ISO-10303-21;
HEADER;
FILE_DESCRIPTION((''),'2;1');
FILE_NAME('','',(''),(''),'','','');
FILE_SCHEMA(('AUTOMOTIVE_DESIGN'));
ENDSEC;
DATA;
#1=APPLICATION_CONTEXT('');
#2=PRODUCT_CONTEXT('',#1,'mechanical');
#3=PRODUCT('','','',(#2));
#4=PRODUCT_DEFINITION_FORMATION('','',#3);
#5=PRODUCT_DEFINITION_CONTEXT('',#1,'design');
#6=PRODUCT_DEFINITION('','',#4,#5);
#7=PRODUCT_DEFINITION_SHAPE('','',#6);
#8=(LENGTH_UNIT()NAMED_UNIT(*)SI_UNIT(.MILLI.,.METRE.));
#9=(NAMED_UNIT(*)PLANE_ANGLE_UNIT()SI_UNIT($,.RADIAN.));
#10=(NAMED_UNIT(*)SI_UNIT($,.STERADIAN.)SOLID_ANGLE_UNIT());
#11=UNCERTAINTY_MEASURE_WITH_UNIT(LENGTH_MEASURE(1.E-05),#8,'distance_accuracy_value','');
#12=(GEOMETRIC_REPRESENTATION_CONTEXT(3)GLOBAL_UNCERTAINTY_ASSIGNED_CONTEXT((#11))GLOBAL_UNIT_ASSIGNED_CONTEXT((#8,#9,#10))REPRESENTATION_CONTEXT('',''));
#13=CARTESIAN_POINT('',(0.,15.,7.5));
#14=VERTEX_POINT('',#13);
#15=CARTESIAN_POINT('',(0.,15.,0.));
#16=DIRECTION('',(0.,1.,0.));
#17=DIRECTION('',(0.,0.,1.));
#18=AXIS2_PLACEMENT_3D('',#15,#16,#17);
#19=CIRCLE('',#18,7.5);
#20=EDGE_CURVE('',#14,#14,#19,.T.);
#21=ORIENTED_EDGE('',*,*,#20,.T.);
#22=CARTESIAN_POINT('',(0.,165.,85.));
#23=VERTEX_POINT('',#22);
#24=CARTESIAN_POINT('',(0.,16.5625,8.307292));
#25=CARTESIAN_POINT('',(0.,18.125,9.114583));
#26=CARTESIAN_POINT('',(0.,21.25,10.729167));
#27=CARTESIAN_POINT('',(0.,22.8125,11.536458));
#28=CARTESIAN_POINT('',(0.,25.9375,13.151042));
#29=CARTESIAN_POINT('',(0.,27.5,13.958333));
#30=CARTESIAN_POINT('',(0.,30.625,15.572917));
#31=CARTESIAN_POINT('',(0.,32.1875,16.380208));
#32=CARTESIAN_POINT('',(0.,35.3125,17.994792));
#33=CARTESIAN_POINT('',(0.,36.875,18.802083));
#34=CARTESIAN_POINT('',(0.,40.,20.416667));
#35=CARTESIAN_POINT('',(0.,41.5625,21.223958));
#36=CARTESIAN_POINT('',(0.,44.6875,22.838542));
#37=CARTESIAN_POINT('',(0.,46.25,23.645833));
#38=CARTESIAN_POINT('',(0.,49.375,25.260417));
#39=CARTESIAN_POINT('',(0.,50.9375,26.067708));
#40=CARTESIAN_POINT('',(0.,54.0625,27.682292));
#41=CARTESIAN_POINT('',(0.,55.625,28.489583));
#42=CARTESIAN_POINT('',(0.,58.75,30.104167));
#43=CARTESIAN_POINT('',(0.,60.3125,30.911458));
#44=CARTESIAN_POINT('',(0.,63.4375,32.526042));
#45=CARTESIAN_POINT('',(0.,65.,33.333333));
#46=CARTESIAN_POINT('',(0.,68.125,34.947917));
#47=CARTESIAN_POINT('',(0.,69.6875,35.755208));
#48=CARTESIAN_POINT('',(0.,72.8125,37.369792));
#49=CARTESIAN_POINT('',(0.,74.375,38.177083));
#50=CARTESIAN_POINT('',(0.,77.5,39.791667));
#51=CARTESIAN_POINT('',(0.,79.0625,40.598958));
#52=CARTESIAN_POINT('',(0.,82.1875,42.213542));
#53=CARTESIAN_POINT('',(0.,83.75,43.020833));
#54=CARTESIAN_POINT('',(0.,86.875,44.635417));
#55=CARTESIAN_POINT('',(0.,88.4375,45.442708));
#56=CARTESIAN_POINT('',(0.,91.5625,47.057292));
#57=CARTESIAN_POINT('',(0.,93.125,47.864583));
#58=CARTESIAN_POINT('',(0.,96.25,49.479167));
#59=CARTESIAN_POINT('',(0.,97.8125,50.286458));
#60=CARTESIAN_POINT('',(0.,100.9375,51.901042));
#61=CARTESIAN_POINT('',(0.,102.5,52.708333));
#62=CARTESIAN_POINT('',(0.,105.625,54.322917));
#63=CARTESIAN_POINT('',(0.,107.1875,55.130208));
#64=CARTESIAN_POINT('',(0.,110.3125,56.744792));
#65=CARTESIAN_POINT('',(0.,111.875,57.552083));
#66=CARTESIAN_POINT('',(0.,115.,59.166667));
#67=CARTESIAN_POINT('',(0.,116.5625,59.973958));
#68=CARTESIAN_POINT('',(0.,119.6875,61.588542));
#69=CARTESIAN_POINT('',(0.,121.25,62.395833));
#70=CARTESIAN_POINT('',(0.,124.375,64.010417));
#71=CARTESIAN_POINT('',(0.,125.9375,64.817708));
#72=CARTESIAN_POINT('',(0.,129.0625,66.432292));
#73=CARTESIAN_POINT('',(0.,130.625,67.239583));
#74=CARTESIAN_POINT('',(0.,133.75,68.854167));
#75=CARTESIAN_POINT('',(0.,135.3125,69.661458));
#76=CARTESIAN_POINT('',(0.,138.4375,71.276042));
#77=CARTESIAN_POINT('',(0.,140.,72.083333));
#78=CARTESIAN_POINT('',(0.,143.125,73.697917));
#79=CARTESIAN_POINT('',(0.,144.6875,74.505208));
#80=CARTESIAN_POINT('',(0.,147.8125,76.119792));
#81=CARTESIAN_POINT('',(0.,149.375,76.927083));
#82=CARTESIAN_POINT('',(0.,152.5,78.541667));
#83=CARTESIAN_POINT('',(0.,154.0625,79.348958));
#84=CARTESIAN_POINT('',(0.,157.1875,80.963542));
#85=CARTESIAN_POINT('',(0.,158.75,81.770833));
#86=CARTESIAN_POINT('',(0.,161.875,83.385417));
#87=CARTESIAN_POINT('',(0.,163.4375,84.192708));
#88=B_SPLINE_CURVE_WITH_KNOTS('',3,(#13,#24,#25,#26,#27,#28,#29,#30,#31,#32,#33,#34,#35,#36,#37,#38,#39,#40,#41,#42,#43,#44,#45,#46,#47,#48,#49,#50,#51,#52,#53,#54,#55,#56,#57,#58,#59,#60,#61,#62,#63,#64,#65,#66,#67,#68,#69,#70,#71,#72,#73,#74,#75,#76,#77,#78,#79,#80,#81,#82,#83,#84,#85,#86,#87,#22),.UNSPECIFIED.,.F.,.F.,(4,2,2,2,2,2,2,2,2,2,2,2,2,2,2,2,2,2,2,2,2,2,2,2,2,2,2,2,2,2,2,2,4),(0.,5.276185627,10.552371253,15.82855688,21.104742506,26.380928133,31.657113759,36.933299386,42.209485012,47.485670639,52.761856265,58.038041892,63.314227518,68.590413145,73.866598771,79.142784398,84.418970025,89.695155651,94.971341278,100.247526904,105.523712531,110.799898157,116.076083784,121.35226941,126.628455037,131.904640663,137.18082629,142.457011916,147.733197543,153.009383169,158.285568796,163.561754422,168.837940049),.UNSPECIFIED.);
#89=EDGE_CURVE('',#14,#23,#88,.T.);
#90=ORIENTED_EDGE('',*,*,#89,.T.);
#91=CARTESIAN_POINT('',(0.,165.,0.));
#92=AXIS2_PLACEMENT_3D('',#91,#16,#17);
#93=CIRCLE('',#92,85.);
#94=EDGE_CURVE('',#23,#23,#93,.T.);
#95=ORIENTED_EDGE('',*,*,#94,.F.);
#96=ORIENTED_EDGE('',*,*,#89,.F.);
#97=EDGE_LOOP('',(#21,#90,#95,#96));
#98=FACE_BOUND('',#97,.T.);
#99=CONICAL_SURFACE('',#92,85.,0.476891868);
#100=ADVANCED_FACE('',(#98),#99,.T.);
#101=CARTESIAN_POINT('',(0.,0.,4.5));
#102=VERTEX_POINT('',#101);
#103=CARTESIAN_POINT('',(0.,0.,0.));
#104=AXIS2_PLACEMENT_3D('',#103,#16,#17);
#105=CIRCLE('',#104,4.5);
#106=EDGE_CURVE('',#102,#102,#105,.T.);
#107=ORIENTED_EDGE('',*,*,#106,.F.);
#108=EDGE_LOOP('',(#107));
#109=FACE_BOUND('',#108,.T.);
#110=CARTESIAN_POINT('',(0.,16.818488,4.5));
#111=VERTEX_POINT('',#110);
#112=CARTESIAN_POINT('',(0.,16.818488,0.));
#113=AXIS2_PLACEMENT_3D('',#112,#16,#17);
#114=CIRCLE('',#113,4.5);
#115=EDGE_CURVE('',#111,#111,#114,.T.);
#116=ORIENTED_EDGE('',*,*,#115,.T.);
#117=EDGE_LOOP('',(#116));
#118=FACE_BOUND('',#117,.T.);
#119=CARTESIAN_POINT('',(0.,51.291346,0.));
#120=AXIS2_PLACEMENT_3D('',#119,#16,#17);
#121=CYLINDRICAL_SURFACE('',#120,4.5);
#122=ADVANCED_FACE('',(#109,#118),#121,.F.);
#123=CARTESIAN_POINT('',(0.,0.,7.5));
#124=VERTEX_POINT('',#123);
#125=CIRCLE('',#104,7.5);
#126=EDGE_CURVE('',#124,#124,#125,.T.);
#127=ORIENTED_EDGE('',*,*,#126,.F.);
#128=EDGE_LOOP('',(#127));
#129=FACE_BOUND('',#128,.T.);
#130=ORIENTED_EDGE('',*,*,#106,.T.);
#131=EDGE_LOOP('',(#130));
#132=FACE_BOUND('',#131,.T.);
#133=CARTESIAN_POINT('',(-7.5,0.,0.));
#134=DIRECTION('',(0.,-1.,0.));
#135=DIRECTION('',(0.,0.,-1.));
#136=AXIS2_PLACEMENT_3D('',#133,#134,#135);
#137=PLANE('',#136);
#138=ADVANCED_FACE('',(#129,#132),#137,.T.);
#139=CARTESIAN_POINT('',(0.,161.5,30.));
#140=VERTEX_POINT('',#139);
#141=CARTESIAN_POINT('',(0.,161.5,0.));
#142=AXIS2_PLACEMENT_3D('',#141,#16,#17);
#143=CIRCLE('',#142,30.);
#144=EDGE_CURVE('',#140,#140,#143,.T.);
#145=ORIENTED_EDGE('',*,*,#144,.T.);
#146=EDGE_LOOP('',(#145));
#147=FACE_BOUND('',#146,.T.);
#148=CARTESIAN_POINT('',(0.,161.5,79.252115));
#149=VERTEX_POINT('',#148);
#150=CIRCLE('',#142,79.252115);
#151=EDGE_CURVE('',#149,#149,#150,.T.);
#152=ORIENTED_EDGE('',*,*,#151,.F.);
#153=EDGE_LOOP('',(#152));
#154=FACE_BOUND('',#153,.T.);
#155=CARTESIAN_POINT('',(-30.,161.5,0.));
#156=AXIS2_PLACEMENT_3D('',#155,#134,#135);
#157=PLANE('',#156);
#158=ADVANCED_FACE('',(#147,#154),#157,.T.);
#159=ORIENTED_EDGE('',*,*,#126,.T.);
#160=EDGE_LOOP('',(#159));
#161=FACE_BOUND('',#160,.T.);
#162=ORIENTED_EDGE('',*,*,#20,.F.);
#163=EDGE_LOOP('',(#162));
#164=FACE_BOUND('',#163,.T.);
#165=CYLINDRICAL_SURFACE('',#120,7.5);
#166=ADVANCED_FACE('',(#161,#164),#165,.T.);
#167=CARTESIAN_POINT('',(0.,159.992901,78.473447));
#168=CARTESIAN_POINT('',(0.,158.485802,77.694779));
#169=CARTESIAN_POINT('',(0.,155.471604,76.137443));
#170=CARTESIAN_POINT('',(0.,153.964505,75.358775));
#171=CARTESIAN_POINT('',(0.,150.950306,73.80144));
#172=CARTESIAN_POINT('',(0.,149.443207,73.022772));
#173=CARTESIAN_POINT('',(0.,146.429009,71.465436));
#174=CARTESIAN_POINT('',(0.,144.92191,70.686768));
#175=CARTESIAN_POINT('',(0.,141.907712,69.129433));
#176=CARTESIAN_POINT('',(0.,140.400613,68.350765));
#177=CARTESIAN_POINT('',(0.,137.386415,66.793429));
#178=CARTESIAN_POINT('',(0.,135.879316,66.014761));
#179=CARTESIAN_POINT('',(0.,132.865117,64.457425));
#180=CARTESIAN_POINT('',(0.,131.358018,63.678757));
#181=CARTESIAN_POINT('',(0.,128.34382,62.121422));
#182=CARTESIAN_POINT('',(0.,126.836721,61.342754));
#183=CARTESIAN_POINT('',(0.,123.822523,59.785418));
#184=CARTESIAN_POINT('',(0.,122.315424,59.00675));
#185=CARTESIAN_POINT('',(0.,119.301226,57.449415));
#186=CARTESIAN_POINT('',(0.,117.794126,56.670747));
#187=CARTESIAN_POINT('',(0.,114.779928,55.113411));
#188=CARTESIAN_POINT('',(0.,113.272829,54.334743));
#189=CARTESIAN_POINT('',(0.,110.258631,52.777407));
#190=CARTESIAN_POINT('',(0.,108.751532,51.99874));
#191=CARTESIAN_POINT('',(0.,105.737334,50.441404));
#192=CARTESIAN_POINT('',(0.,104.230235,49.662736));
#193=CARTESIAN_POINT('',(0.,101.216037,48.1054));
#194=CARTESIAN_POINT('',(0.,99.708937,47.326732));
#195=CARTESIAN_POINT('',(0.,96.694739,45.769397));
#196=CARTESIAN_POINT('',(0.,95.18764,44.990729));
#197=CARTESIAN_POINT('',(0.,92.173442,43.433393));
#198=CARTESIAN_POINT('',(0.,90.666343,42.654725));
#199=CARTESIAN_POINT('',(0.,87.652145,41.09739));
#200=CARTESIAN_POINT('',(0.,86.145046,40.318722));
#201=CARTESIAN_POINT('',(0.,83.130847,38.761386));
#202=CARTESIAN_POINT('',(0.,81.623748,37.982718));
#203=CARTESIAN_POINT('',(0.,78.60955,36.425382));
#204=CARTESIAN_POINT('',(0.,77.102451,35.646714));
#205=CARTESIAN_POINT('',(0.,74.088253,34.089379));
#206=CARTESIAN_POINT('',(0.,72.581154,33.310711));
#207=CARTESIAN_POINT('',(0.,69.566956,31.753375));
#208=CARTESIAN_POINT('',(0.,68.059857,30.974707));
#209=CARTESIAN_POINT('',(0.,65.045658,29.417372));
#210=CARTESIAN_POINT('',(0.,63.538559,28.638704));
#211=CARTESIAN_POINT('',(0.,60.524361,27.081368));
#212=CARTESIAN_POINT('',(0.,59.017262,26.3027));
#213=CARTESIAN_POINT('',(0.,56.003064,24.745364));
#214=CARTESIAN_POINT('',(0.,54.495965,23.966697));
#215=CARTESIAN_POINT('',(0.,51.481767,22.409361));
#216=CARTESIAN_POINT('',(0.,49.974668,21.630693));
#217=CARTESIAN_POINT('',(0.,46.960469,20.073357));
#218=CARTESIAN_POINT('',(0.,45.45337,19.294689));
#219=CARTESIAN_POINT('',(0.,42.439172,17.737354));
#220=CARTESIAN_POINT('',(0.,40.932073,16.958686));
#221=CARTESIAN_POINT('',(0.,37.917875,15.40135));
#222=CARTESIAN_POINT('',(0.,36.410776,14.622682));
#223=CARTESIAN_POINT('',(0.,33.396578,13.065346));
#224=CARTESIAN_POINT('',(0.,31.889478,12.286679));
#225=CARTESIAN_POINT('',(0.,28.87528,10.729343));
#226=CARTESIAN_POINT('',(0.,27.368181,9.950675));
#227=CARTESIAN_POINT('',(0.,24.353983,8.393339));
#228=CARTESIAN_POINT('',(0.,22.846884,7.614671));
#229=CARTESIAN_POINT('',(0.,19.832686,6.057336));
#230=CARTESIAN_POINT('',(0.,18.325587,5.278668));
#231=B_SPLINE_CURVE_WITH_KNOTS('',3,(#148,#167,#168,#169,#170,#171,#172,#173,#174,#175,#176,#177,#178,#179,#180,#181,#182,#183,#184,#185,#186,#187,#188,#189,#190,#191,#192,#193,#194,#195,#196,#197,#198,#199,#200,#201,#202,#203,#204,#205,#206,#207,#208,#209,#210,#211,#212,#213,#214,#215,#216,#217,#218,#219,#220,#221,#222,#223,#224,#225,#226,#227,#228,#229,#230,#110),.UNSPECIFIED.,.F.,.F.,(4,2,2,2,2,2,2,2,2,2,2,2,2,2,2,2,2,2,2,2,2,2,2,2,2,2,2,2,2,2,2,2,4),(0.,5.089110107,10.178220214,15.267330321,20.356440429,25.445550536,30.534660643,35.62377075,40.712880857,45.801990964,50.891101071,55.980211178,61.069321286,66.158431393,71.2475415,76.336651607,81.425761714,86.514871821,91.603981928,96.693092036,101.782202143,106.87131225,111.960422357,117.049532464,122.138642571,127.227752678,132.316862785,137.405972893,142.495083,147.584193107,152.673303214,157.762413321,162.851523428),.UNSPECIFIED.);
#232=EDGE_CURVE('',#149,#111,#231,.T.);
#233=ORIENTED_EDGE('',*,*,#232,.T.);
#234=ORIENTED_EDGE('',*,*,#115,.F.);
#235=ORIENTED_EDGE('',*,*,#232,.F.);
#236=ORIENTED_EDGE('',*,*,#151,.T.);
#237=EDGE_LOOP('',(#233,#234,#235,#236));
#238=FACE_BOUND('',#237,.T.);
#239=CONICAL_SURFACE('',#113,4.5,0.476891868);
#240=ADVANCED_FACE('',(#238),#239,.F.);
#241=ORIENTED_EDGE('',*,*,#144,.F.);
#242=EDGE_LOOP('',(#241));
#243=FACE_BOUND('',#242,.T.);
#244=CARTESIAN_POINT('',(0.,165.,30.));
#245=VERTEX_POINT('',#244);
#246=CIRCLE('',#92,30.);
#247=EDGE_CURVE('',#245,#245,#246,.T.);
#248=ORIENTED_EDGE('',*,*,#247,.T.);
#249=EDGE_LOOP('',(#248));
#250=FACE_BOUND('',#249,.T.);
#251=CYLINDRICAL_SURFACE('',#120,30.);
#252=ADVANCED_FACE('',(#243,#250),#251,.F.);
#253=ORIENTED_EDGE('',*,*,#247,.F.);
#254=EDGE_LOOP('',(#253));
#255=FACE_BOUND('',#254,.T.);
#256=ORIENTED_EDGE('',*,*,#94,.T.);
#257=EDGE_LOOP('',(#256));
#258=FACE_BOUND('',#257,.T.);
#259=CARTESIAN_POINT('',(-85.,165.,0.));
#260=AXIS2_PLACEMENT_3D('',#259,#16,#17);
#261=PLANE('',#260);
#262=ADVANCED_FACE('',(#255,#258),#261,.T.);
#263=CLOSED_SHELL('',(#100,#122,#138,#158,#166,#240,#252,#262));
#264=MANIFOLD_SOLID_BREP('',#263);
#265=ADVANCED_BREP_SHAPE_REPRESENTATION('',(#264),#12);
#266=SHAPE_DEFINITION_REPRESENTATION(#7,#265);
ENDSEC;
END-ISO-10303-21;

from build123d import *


with BuildPart() as part:
    # Croquis1 → Revolución1 (revolve)
    with BuildSketch(Plane.XY, mode=Mode.PRIVATE) as revoluci_n1_sk:
        Polygon((-7.5, 0), (-4.5, 0), (-4.5, 16.818487615), (-79.252114732, 161.5), (-30, 161.5), (-30, 165), (-85, 165), (-7.5, 15), align=None)
    revolve(revoluci_n1_sk.sketch.rotate(Axis((0, 51.291346199, 0), (0, -1, 0)), 270), axis=Axis((0, 51.291346199, 0), (0, -1, 0)))


solid = part.part
